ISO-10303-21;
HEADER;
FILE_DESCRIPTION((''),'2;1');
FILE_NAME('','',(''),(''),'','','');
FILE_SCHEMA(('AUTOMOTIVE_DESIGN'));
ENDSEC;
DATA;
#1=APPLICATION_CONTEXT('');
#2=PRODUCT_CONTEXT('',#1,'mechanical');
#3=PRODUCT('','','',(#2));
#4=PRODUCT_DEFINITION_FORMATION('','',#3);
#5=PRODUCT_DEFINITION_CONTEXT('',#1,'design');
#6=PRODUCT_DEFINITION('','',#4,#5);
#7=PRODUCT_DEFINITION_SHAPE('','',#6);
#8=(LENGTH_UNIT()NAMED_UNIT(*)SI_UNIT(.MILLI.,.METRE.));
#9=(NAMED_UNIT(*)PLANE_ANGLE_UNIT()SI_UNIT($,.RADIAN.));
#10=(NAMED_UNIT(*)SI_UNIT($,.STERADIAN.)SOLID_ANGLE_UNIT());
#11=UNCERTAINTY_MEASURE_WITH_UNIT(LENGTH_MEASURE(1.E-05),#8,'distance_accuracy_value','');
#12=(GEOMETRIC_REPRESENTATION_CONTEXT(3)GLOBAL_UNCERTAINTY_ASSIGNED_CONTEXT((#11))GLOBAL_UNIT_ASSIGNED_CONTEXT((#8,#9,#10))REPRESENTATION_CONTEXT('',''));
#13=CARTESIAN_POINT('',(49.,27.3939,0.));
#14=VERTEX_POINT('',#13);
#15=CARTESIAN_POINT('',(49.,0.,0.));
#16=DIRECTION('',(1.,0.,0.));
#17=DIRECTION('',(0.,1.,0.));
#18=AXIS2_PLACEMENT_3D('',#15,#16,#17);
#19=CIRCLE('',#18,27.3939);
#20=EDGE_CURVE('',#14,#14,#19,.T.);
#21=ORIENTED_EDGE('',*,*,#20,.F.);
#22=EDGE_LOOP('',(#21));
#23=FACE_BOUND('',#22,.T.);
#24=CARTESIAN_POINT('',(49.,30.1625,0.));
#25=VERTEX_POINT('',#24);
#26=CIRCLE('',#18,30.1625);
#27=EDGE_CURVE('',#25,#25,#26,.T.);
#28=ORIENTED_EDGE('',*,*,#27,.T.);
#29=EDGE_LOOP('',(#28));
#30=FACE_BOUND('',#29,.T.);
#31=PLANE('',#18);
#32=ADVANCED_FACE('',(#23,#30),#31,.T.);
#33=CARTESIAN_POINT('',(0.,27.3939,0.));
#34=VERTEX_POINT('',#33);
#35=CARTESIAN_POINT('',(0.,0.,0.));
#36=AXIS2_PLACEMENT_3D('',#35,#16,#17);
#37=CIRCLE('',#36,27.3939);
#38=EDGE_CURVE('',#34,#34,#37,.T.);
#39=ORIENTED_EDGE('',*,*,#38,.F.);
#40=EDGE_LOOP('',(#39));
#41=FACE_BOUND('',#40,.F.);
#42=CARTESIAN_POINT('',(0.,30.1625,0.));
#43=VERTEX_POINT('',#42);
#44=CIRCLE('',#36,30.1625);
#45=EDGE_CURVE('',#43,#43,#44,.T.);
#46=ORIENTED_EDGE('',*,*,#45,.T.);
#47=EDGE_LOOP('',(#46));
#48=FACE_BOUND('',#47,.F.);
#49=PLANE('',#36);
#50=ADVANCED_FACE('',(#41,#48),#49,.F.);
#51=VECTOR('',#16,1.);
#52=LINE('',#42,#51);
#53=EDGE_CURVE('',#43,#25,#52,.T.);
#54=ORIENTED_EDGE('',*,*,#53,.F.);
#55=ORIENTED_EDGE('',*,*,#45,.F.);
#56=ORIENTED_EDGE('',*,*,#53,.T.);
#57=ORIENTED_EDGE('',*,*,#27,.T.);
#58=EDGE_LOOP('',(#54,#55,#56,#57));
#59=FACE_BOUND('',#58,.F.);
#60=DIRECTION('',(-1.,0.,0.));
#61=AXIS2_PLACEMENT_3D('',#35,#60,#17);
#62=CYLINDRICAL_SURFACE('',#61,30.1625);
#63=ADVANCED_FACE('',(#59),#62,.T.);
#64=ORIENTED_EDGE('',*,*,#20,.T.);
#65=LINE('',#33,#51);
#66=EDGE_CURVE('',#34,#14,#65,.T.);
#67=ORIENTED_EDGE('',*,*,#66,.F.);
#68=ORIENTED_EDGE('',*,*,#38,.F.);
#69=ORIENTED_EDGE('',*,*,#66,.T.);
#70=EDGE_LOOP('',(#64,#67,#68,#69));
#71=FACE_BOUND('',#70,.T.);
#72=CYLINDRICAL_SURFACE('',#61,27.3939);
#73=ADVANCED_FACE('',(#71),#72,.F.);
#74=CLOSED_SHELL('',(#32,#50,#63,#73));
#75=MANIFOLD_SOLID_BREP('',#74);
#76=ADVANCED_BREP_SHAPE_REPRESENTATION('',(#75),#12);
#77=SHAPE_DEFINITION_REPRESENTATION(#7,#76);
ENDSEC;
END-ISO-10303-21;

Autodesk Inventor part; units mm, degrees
ref_plane "YZ Plane" through (0, 0, 0) normal (1, 0, 0) x (0, 1, 0)
ref_plane "XZ Plane" through (0, 0, 0) normal (0, 1, 0) x (-1, 0, 0)
ref_plane "XY Plane" through (0, 0, 0) normal (0, 0, 1) x (1, 0, 0)
sketch "Sketch1" plane through (0, 0, 0) normal (1, 0, 0) x (0, 1, 0)
  circle A0 centre (0, 0) radius 30.1625
  circle A1 centre (0, 0) radius 27.3939
  dimension "d0" = 60.325
  dimension "d1" = 2.7686
extrude "Extrusion1" add sketch "Sketch1" along normal blind 49
equation "\"d0\" = OD"
equation "\"d1\" = t"
equation "\"d2\" = L"
equation "\"OD\" = 60.325"
equation "\"t\" = 2.7686"
equation "\"L\" = EPL"
equation "\"ID\" = 54.7878"
equation "\"EPL\" = PL + GD"
equation "\"Size_Designation\" = 1.2345"
equation "\"OPL\" = 49.2"
equation "\"GD\" = 0"
equation "\"PL\" = 49"
properties material "Stainless Steel"
